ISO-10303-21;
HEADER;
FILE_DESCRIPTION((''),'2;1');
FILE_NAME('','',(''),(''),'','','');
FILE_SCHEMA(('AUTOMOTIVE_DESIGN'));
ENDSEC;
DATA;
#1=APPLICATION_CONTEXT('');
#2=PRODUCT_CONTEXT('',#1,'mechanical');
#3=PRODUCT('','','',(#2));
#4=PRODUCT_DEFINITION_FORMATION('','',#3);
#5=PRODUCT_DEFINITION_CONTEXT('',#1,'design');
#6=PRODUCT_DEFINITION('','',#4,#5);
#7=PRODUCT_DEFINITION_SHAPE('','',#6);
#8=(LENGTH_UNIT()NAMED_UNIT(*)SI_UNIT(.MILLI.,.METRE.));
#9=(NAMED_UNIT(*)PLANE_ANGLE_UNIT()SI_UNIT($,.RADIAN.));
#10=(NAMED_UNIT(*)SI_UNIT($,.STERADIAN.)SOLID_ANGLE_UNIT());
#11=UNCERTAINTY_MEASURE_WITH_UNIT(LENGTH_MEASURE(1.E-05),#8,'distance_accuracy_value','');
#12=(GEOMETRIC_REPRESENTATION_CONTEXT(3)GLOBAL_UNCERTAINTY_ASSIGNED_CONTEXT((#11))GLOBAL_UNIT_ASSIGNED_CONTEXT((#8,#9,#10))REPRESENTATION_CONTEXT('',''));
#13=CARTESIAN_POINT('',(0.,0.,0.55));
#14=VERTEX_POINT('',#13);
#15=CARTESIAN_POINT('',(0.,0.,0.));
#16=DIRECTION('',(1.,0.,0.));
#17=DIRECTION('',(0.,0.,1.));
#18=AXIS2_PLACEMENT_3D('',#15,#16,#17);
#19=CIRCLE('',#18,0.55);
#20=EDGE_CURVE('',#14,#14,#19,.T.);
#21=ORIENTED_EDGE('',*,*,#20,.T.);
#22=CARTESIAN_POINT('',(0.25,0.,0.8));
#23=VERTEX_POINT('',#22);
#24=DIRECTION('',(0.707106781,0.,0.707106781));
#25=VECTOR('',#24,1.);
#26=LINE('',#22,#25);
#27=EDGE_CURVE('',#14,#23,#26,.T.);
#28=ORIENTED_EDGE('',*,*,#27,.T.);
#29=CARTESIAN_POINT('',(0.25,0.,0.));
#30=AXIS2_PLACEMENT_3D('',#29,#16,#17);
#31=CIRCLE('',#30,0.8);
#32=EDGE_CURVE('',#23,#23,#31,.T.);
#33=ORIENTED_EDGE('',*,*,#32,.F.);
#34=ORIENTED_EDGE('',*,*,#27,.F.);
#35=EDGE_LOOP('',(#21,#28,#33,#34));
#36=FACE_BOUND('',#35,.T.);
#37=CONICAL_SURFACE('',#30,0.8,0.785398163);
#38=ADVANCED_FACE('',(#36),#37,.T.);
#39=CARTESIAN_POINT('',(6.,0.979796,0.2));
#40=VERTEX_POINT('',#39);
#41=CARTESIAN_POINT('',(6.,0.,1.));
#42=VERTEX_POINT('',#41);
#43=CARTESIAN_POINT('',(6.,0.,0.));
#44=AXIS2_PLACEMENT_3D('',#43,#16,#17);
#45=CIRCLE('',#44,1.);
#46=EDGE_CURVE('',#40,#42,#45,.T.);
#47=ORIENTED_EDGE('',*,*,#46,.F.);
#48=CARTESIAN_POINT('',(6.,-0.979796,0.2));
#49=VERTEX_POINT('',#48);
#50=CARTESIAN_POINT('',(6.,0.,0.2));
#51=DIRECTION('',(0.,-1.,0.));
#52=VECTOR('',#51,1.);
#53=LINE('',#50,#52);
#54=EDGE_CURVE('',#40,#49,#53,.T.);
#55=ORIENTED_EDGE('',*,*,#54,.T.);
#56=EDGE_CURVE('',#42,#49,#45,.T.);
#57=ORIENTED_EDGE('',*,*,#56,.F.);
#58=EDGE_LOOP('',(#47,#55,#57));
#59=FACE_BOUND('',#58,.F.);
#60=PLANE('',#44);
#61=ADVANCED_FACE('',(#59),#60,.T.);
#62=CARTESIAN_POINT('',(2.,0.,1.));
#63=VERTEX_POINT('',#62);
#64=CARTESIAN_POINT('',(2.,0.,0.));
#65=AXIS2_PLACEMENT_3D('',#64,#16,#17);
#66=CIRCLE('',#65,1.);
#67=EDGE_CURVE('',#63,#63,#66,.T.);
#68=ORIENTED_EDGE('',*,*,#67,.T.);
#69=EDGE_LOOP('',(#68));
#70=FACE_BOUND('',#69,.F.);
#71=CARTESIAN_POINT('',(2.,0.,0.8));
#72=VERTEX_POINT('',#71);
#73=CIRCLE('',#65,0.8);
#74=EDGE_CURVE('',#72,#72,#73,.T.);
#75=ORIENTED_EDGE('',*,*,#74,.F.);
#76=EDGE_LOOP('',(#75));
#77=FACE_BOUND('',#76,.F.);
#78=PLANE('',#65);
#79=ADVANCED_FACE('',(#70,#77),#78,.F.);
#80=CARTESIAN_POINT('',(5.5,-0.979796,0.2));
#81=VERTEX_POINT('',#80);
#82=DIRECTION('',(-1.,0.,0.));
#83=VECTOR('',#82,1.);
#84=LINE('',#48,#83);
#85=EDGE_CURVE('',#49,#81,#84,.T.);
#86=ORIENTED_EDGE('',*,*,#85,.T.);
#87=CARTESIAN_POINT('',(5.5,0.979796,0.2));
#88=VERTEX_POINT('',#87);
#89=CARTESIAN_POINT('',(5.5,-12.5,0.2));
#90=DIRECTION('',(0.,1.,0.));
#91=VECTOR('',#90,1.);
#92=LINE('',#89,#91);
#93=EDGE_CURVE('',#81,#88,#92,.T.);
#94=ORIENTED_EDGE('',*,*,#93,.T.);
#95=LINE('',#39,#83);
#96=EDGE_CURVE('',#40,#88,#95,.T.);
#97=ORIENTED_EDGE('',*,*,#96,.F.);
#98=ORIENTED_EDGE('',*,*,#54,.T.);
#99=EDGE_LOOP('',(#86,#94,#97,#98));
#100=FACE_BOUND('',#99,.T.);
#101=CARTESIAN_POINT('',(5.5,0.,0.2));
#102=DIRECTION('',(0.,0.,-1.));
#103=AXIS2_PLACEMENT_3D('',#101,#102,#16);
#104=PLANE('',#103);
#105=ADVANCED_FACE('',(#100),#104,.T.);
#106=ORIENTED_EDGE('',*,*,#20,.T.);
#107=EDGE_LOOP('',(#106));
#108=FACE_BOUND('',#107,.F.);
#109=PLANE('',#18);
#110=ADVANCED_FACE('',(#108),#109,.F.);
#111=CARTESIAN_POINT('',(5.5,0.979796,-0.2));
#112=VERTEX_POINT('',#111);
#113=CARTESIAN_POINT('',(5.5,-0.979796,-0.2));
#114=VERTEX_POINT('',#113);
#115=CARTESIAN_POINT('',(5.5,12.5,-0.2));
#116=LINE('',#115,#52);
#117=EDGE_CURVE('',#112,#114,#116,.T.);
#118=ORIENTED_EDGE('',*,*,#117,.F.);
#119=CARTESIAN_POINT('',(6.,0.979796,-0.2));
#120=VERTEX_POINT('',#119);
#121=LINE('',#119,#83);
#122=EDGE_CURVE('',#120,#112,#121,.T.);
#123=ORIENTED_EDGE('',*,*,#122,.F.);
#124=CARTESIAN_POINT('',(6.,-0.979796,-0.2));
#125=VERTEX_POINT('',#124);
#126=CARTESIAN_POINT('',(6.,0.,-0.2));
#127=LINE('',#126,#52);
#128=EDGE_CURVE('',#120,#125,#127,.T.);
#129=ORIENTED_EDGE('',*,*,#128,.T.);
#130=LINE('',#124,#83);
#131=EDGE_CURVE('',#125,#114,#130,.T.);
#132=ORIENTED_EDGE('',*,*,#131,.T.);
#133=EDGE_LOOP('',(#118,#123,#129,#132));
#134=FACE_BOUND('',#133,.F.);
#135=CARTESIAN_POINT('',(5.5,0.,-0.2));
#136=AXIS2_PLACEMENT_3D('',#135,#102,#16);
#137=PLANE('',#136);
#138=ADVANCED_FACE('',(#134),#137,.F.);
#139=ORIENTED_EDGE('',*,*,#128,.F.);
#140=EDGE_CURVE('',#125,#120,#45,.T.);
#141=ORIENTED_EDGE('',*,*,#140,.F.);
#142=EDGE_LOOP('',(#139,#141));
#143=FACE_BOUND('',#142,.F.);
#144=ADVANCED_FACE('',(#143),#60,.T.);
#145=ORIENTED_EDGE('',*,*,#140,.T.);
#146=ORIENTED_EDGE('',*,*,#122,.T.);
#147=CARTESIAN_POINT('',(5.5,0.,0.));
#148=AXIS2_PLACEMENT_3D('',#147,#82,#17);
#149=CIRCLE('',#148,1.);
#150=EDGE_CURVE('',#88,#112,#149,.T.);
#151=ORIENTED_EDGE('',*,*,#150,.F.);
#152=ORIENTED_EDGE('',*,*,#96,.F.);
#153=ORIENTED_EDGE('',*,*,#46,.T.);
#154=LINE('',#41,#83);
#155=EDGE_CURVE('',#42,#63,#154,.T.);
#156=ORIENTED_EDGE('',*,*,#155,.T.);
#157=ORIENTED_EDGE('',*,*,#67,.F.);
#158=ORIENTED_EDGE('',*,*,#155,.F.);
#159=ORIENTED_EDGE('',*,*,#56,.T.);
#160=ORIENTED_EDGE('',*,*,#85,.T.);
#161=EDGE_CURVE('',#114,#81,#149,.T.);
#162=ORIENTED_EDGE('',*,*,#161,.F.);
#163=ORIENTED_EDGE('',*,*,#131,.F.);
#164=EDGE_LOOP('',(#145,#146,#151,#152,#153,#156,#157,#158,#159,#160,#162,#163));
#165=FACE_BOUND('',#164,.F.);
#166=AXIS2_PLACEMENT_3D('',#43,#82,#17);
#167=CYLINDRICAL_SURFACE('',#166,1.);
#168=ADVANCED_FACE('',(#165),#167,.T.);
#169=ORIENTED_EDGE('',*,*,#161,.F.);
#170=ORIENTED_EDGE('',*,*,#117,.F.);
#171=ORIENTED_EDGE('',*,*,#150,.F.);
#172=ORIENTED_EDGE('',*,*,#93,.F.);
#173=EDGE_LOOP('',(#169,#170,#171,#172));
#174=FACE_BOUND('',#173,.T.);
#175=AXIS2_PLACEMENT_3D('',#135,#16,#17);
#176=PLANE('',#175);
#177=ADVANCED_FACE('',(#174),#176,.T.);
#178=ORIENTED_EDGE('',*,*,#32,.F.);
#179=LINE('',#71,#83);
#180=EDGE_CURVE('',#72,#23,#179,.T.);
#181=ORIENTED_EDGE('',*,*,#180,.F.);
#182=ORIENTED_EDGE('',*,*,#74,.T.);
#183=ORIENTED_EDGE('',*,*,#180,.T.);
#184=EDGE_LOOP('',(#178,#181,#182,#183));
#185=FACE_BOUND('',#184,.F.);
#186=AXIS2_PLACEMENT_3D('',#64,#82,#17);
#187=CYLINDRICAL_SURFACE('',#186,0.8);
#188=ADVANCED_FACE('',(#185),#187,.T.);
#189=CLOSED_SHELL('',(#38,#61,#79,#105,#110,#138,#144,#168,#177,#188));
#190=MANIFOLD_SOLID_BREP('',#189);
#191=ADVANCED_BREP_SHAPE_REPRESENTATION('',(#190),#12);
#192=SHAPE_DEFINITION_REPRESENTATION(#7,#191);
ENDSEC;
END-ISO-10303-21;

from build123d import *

# Parameters (mm, degrees)
F2_SIZE  = 0.25
F3_W     = 1.5
F3_H     = 0.4
F4_DEPTH = 12.5


with BuildPart() as f1:
    # F0 (on Front) → F1 (revolve)
    with BuildSketch(Plane.XZ):
        Polygon((0, 0.8), (0, 0), (6, 0), (6, 1), (2, 1), (2, 0.8), align=None)
    revolve(axis=Axis((3, 0, 0), (1, 0, 0)))

    # F2
    f2_edges = [f1.edges().sort_by_distance(p)[0] for p in [
        (0, 0, -0.8),
    ]]
    chamfer(f2_edges, length=F2_SIZE)

    # F3 (on Front) → F4 (cut, symmetric)
    with BuildSketch(Plane.XZ):
        with Locations((6.25, 0)):
            Rectangle(F3_W, F3_H)
    extrude(amount=F4_DEPTH, both=True, mode=Mode.SUBTRACT)


solid = f1.part
